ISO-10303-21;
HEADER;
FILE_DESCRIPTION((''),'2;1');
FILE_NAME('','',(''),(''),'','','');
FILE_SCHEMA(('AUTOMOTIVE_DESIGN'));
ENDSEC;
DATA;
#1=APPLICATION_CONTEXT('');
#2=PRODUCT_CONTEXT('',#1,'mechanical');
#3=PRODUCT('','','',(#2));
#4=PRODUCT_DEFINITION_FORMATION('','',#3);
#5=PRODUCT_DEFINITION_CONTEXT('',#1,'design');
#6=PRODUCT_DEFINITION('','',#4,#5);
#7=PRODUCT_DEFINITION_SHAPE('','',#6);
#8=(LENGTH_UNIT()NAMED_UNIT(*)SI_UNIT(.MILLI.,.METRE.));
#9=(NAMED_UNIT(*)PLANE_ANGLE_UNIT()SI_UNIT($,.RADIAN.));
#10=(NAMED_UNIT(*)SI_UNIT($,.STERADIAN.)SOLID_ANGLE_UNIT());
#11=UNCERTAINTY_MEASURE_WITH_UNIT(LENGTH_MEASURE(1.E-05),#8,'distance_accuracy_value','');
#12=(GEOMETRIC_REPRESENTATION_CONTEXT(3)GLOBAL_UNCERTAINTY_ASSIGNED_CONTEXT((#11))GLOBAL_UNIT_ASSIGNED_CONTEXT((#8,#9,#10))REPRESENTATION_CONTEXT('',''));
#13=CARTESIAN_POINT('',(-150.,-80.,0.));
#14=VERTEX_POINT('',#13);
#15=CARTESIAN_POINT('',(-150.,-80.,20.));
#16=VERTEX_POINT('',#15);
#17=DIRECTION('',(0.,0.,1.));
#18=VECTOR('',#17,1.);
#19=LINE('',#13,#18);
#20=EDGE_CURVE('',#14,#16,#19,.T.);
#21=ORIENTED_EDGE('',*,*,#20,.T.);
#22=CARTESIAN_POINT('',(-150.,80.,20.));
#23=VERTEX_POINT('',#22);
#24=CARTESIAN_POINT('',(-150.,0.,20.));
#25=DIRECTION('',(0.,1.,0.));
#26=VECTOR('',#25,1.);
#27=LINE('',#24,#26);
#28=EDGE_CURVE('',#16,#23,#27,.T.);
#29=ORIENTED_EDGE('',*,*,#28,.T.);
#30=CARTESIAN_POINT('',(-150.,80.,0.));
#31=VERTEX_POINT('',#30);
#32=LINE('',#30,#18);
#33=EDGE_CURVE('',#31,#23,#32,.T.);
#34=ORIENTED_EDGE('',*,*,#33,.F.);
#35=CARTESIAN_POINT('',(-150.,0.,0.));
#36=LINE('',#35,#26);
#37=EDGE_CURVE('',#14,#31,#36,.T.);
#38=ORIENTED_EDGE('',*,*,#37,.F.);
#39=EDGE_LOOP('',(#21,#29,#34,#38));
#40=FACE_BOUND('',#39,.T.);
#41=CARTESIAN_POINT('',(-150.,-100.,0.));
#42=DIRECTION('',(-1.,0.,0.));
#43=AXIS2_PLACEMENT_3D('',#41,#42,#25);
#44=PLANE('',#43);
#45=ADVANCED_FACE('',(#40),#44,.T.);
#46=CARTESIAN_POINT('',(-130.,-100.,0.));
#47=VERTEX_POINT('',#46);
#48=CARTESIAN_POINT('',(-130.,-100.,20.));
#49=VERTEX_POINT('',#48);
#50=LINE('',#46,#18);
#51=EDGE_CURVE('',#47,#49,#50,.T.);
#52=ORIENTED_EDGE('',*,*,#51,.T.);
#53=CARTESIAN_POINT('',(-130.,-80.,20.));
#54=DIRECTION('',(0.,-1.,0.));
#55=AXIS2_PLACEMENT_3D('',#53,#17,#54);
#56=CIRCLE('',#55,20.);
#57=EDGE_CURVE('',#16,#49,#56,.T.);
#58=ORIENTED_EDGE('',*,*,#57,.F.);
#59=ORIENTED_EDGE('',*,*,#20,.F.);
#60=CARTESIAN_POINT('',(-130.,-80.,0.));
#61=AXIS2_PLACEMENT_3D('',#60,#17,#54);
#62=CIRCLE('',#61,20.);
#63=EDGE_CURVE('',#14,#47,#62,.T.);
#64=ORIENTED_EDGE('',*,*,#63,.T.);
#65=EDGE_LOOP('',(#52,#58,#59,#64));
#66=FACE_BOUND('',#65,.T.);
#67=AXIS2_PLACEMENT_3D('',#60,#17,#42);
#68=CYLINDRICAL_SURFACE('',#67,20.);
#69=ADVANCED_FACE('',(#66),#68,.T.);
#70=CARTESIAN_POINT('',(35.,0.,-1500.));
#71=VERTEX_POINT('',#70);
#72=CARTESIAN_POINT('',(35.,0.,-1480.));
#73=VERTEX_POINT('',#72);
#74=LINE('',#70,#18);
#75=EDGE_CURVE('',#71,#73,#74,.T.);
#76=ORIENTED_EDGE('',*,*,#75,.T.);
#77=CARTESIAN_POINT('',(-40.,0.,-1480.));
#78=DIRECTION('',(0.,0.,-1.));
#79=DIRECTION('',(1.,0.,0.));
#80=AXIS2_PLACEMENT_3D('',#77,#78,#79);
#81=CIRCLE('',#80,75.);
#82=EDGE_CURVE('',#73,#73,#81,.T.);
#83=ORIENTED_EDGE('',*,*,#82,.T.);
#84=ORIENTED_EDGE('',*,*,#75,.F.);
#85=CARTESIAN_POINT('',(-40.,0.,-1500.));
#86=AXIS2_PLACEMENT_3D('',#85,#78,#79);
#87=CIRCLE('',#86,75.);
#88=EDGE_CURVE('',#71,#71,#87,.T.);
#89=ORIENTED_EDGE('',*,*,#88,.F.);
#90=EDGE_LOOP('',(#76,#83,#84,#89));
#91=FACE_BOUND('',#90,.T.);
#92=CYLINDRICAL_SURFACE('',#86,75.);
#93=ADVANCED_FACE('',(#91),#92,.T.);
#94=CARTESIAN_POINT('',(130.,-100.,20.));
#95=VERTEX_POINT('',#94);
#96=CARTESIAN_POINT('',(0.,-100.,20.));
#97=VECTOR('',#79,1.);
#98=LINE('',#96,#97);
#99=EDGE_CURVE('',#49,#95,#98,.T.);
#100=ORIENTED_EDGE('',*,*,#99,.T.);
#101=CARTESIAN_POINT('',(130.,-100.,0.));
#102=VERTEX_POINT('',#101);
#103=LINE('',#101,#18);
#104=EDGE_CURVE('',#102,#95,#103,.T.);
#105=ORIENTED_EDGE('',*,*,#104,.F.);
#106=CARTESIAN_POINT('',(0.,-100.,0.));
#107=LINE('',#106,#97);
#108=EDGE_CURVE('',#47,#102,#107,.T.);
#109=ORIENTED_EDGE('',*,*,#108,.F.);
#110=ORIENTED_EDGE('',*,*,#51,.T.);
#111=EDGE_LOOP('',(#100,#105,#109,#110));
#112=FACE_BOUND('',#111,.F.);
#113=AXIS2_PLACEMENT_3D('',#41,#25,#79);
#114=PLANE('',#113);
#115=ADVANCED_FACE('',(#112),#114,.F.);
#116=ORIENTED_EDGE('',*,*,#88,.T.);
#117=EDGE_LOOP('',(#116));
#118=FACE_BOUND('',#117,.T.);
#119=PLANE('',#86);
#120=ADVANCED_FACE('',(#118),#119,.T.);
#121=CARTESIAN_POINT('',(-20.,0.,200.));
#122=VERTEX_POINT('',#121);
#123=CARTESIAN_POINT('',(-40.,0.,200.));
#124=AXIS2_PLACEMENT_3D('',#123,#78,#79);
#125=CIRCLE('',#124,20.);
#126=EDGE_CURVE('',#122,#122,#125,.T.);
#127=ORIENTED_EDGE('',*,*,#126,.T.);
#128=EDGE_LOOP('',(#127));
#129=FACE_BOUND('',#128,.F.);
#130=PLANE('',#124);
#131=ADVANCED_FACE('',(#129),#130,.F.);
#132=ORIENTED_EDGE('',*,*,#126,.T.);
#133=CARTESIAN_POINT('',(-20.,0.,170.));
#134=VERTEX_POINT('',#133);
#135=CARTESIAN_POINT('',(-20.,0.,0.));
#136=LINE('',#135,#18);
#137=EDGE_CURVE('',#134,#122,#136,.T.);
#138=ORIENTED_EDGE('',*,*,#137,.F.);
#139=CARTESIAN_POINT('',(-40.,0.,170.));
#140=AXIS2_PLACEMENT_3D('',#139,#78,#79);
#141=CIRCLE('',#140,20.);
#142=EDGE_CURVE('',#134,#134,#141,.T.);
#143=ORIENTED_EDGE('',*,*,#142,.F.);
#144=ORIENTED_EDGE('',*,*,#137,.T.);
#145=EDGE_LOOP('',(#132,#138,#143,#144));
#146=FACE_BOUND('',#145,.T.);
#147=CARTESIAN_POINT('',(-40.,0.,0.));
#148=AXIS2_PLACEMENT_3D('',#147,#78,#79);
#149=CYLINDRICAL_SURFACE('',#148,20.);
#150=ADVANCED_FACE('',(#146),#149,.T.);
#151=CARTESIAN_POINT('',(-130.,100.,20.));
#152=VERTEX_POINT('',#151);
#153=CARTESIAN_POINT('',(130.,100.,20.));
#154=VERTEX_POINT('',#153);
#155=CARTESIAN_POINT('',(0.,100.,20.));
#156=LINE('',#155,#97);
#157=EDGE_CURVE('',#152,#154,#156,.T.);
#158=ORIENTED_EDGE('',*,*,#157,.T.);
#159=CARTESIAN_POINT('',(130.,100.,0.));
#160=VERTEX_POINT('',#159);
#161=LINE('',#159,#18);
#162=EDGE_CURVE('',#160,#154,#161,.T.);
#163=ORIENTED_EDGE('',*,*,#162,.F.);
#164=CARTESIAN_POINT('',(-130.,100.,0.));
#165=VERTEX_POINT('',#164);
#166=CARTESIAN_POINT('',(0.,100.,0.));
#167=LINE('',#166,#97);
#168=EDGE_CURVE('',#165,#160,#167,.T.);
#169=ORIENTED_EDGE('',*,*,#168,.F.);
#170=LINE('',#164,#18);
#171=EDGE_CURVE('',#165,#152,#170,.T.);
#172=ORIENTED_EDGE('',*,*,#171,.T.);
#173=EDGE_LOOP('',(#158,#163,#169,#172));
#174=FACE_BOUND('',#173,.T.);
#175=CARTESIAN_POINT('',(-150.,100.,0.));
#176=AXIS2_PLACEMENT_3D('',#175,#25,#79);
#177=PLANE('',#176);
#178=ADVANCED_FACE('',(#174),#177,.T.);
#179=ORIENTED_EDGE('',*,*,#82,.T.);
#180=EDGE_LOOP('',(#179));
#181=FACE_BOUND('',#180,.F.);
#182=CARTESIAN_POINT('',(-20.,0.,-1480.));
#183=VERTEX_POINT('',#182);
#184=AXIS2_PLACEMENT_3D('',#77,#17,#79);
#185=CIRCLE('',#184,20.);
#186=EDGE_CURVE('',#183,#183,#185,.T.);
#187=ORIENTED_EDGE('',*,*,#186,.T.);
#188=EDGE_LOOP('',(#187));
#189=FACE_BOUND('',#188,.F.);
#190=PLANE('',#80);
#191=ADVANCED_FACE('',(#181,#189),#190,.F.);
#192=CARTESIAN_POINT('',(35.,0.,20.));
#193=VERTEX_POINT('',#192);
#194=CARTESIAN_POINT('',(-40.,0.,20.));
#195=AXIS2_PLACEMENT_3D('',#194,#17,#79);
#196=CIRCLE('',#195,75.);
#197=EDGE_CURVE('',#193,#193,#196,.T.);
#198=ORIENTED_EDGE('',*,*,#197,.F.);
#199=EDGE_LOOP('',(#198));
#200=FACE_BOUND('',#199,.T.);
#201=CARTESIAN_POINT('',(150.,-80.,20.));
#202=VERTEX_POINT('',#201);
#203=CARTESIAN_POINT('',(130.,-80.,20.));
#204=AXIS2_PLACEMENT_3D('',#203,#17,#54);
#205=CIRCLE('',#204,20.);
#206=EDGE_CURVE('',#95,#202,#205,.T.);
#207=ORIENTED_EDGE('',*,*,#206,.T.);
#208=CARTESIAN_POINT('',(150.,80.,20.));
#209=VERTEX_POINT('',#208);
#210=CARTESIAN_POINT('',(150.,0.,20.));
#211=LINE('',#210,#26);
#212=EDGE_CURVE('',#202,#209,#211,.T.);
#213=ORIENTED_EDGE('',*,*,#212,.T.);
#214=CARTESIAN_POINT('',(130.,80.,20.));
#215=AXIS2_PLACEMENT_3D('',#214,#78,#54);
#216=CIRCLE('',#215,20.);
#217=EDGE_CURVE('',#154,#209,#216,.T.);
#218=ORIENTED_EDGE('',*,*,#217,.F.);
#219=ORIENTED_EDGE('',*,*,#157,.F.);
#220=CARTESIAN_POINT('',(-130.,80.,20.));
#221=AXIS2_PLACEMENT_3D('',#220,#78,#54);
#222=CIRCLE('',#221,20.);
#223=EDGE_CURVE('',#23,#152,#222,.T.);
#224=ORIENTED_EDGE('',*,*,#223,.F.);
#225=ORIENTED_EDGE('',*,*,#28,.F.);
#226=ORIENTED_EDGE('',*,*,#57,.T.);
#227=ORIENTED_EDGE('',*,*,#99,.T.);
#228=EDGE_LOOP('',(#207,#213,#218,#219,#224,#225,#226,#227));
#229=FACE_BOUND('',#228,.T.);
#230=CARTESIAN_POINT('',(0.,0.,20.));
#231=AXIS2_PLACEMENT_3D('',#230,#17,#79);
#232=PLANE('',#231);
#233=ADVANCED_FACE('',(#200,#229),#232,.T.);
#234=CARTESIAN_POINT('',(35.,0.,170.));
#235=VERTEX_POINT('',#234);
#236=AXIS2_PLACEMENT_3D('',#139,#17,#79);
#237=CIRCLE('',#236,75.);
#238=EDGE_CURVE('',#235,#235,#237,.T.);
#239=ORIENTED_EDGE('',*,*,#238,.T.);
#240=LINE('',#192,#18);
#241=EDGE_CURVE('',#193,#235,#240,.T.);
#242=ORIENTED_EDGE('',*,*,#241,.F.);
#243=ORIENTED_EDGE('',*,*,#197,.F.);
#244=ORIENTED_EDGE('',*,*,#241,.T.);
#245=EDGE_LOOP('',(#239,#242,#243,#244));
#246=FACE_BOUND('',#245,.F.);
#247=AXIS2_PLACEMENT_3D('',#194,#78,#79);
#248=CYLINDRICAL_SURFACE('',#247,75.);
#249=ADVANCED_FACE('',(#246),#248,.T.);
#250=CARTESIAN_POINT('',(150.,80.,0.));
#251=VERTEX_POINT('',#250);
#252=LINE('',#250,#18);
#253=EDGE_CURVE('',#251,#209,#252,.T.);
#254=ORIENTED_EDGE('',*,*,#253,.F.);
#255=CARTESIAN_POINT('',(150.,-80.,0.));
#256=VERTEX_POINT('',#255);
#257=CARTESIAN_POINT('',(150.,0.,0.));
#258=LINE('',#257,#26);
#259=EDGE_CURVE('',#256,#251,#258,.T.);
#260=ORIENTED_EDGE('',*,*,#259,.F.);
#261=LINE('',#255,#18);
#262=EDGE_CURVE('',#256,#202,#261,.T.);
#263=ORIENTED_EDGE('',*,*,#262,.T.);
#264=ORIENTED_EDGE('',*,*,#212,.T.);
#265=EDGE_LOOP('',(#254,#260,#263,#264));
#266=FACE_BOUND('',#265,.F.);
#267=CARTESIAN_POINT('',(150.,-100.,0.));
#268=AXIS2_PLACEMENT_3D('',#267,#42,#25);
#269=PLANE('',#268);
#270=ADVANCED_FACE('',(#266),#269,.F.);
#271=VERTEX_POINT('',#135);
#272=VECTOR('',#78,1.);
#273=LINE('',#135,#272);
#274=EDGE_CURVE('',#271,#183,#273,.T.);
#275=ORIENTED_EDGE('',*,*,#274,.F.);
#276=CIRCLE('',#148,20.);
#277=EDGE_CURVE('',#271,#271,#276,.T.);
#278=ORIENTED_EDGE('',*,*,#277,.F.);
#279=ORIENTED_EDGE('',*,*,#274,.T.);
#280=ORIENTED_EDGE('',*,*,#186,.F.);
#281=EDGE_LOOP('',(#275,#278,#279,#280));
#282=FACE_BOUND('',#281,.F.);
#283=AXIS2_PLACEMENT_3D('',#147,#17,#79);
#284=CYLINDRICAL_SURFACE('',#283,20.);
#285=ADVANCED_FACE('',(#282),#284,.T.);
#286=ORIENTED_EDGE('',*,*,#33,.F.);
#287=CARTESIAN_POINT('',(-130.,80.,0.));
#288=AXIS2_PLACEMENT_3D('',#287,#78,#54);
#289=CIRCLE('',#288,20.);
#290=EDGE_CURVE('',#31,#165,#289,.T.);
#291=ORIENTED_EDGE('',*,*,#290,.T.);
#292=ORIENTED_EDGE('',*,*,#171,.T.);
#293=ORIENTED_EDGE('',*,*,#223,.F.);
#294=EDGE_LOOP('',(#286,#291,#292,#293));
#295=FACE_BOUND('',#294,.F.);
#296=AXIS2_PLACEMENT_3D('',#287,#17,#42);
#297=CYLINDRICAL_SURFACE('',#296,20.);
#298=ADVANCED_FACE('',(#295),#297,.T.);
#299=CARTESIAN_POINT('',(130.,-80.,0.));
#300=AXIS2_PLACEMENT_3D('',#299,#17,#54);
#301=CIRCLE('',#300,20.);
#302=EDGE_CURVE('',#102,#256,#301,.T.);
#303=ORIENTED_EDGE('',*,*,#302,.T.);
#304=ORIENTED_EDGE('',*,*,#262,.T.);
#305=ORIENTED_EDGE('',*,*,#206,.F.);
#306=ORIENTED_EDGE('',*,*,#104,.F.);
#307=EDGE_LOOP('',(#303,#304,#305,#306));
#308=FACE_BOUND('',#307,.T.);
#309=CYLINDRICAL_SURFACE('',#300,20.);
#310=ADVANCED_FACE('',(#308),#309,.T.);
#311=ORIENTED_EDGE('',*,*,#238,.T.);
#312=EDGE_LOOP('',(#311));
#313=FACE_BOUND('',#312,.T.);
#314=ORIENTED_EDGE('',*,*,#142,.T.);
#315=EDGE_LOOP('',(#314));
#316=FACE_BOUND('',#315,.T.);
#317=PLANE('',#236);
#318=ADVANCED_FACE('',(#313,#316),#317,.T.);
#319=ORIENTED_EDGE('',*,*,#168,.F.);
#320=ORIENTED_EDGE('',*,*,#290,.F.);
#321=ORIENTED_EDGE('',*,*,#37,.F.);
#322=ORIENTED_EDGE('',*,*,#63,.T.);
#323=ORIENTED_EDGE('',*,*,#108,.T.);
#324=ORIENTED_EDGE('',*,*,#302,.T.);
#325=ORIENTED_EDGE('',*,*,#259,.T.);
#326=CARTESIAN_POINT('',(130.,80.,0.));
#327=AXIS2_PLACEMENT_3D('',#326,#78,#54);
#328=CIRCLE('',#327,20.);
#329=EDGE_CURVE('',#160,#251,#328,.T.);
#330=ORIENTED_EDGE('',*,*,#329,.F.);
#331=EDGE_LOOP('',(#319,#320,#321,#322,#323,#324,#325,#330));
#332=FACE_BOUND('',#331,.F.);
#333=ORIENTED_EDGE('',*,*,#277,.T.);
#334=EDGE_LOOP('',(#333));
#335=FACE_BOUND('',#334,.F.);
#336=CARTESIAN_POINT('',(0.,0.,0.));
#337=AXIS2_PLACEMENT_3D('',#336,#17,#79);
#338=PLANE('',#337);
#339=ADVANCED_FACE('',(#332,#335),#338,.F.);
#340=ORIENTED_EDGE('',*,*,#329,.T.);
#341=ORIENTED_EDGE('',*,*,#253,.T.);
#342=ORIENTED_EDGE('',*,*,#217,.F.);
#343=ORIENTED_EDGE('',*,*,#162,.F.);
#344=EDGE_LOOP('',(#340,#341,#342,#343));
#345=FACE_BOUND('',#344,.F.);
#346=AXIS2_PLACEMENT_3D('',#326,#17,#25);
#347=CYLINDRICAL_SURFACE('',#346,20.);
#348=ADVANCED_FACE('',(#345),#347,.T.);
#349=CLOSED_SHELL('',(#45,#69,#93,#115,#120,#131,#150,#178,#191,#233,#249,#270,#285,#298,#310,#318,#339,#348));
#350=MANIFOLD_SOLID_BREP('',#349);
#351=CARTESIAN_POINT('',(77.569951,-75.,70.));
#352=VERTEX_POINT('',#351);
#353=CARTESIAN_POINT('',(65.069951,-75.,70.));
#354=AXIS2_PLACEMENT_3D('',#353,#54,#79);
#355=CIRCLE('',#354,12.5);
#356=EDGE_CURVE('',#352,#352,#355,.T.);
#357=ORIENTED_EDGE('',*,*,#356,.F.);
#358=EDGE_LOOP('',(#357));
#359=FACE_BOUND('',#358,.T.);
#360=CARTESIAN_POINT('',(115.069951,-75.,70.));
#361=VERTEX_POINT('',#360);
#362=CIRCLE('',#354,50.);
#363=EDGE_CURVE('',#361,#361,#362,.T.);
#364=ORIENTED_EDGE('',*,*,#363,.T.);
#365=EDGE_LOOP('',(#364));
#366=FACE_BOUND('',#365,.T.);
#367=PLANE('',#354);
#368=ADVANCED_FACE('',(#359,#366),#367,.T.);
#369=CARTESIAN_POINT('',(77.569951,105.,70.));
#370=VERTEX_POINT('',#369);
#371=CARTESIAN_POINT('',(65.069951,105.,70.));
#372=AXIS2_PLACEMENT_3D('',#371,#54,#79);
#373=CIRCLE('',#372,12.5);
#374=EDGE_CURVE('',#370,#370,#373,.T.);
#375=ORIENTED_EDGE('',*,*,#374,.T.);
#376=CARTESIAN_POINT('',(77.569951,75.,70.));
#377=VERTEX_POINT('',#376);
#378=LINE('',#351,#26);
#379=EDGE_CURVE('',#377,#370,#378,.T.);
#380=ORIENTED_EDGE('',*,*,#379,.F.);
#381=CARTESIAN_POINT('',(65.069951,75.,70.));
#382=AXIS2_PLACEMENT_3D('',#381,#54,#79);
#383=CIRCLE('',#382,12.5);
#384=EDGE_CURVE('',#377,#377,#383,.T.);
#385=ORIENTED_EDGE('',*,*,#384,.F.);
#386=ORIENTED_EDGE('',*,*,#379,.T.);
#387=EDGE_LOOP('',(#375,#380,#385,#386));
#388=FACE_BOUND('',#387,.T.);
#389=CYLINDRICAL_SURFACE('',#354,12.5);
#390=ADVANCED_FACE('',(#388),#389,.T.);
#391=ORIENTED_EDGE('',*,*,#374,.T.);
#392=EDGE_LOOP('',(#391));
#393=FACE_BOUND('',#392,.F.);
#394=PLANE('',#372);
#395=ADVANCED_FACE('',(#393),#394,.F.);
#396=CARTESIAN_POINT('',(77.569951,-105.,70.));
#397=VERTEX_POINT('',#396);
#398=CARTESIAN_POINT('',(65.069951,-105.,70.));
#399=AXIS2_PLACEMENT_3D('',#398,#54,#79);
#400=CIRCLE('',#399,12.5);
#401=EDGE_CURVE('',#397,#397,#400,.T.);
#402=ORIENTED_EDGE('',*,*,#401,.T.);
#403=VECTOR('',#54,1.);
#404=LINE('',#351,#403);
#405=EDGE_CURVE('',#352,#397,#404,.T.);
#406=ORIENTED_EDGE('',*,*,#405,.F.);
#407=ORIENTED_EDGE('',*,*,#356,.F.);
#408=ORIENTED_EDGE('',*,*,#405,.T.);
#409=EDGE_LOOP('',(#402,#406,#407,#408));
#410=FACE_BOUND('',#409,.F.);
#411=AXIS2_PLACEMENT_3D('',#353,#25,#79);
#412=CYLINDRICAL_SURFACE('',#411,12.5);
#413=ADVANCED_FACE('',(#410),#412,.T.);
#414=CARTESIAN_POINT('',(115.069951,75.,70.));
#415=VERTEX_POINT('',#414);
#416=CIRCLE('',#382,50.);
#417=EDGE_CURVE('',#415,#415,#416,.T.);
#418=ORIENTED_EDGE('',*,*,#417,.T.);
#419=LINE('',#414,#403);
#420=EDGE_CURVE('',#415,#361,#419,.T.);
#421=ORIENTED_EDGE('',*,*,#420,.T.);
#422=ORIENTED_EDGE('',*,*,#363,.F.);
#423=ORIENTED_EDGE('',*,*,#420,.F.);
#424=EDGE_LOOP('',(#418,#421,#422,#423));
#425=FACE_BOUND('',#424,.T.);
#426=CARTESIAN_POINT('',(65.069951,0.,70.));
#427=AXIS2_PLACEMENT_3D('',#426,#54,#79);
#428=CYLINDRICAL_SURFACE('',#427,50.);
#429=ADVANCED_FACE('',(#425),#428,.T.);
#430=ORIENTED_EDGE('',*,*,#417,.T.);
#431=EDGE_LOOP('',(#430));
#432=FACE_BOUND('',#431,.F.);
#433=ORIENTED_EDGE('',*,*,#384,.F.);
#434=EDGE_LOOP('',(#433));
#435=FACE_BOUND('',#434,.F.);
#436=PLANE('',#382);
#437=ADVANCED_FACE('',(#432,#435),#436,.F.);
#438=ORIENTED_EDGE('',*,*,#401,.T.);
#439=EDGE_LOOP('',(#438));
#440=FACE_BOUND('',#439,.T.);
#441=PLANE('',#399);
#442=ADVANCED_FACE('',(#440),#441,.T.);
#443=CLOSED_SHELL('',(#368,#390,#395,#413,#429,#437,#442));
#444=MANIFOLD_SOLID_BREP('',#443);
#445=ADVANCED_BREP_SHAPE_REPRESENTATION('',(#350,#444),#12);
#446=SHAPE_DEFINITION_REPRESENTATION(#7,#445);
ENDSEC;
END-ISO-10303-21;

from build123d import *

# Parameters (mm, degrees)
F0_W          = 300
F0_H          = 200
F1_DEPTH      = 20
F2_R          = 75
F3_DEPTH      = 150
F4_R          = 50
F5_DEPTH      = 75
F6_R          = 12.5
F7_DEPTH      = 30
F7_DEPTH_BACK = 180
F8_R          = 20
F9_DEPTH      = 1500
F9_DEPTH_BACK = 200
F10_R         = 75
F11_DEPTH     = 20
F12_R         = 20


with BuildPart() as f1:
    # F0 (on Top) → F1 (new body)
    with BuildSketch(Plane.XY):
        Rectangle(F0_W, F0_H)
    extrude(amount=F1_DEPTH)

    # F2 (on face) → F3 (join)
    with BuildSketch(Plane.XY.offset(20)):
        with Locations((-40, 0)):
            Circle(F2_R)
    extrude(amount=F3_DEPTH)

    # F8 (on face) → F9 (join, two sides)
    with BuildSketch(Plane(origin=(0, 0, 0), x_dir=(1, 0, 0), z_dir=(0, 0, -1))) as f9_sk:
        with Locations((-40, 0)):
            Circle(F8_R)
    extrude(amount=F9_DEPTH)
    extrude(f9_sk.sketch, amount=-F9_DEPTH_BACK)

    # F10 (on face) → F11 (join)
    with BuildSketch(Plane(origin=(0, 0, -1500), x_dir=(1, 0, 0), z_dir=(0, 0, -1))):
        with Locations((-40, 0)):
            Circle(F10_R)
    extrude(amount=-F11_DEPTH)

    # F12
    f12_edges = [f1.edges().sort_by_distance(p)[0] for p in [
        (150, 100, 10),
        (150, -100, 10),
        (-150, -100, 10),
        (-150, 100, 10),
    ]]
    fillet(f12_edges, radius=F12_R)


with BuildPart() as f5:
    # F4 (on Front) → F5 (new body, symmetric)
    with BuildSketch(Plane.XZ):
        with Locations((65.069951, 70)):
            Circle(F4_R)
    extrude(amount=F5_DEPTH, both=True)

    # F6 (on face) → F7 (join, two sides)
    with BuildSketch(Plane.XZ.offset(75)) as f7_sk:
        with Locations((65.069951, 70)):
            Circle(F6_R)
    extrude(amount=F7_DEPTH)
    extrude(f7_sk.sketch, amount=-F7_DEPTH_BACK)


solid = Compound([f1.part, f5.part])
